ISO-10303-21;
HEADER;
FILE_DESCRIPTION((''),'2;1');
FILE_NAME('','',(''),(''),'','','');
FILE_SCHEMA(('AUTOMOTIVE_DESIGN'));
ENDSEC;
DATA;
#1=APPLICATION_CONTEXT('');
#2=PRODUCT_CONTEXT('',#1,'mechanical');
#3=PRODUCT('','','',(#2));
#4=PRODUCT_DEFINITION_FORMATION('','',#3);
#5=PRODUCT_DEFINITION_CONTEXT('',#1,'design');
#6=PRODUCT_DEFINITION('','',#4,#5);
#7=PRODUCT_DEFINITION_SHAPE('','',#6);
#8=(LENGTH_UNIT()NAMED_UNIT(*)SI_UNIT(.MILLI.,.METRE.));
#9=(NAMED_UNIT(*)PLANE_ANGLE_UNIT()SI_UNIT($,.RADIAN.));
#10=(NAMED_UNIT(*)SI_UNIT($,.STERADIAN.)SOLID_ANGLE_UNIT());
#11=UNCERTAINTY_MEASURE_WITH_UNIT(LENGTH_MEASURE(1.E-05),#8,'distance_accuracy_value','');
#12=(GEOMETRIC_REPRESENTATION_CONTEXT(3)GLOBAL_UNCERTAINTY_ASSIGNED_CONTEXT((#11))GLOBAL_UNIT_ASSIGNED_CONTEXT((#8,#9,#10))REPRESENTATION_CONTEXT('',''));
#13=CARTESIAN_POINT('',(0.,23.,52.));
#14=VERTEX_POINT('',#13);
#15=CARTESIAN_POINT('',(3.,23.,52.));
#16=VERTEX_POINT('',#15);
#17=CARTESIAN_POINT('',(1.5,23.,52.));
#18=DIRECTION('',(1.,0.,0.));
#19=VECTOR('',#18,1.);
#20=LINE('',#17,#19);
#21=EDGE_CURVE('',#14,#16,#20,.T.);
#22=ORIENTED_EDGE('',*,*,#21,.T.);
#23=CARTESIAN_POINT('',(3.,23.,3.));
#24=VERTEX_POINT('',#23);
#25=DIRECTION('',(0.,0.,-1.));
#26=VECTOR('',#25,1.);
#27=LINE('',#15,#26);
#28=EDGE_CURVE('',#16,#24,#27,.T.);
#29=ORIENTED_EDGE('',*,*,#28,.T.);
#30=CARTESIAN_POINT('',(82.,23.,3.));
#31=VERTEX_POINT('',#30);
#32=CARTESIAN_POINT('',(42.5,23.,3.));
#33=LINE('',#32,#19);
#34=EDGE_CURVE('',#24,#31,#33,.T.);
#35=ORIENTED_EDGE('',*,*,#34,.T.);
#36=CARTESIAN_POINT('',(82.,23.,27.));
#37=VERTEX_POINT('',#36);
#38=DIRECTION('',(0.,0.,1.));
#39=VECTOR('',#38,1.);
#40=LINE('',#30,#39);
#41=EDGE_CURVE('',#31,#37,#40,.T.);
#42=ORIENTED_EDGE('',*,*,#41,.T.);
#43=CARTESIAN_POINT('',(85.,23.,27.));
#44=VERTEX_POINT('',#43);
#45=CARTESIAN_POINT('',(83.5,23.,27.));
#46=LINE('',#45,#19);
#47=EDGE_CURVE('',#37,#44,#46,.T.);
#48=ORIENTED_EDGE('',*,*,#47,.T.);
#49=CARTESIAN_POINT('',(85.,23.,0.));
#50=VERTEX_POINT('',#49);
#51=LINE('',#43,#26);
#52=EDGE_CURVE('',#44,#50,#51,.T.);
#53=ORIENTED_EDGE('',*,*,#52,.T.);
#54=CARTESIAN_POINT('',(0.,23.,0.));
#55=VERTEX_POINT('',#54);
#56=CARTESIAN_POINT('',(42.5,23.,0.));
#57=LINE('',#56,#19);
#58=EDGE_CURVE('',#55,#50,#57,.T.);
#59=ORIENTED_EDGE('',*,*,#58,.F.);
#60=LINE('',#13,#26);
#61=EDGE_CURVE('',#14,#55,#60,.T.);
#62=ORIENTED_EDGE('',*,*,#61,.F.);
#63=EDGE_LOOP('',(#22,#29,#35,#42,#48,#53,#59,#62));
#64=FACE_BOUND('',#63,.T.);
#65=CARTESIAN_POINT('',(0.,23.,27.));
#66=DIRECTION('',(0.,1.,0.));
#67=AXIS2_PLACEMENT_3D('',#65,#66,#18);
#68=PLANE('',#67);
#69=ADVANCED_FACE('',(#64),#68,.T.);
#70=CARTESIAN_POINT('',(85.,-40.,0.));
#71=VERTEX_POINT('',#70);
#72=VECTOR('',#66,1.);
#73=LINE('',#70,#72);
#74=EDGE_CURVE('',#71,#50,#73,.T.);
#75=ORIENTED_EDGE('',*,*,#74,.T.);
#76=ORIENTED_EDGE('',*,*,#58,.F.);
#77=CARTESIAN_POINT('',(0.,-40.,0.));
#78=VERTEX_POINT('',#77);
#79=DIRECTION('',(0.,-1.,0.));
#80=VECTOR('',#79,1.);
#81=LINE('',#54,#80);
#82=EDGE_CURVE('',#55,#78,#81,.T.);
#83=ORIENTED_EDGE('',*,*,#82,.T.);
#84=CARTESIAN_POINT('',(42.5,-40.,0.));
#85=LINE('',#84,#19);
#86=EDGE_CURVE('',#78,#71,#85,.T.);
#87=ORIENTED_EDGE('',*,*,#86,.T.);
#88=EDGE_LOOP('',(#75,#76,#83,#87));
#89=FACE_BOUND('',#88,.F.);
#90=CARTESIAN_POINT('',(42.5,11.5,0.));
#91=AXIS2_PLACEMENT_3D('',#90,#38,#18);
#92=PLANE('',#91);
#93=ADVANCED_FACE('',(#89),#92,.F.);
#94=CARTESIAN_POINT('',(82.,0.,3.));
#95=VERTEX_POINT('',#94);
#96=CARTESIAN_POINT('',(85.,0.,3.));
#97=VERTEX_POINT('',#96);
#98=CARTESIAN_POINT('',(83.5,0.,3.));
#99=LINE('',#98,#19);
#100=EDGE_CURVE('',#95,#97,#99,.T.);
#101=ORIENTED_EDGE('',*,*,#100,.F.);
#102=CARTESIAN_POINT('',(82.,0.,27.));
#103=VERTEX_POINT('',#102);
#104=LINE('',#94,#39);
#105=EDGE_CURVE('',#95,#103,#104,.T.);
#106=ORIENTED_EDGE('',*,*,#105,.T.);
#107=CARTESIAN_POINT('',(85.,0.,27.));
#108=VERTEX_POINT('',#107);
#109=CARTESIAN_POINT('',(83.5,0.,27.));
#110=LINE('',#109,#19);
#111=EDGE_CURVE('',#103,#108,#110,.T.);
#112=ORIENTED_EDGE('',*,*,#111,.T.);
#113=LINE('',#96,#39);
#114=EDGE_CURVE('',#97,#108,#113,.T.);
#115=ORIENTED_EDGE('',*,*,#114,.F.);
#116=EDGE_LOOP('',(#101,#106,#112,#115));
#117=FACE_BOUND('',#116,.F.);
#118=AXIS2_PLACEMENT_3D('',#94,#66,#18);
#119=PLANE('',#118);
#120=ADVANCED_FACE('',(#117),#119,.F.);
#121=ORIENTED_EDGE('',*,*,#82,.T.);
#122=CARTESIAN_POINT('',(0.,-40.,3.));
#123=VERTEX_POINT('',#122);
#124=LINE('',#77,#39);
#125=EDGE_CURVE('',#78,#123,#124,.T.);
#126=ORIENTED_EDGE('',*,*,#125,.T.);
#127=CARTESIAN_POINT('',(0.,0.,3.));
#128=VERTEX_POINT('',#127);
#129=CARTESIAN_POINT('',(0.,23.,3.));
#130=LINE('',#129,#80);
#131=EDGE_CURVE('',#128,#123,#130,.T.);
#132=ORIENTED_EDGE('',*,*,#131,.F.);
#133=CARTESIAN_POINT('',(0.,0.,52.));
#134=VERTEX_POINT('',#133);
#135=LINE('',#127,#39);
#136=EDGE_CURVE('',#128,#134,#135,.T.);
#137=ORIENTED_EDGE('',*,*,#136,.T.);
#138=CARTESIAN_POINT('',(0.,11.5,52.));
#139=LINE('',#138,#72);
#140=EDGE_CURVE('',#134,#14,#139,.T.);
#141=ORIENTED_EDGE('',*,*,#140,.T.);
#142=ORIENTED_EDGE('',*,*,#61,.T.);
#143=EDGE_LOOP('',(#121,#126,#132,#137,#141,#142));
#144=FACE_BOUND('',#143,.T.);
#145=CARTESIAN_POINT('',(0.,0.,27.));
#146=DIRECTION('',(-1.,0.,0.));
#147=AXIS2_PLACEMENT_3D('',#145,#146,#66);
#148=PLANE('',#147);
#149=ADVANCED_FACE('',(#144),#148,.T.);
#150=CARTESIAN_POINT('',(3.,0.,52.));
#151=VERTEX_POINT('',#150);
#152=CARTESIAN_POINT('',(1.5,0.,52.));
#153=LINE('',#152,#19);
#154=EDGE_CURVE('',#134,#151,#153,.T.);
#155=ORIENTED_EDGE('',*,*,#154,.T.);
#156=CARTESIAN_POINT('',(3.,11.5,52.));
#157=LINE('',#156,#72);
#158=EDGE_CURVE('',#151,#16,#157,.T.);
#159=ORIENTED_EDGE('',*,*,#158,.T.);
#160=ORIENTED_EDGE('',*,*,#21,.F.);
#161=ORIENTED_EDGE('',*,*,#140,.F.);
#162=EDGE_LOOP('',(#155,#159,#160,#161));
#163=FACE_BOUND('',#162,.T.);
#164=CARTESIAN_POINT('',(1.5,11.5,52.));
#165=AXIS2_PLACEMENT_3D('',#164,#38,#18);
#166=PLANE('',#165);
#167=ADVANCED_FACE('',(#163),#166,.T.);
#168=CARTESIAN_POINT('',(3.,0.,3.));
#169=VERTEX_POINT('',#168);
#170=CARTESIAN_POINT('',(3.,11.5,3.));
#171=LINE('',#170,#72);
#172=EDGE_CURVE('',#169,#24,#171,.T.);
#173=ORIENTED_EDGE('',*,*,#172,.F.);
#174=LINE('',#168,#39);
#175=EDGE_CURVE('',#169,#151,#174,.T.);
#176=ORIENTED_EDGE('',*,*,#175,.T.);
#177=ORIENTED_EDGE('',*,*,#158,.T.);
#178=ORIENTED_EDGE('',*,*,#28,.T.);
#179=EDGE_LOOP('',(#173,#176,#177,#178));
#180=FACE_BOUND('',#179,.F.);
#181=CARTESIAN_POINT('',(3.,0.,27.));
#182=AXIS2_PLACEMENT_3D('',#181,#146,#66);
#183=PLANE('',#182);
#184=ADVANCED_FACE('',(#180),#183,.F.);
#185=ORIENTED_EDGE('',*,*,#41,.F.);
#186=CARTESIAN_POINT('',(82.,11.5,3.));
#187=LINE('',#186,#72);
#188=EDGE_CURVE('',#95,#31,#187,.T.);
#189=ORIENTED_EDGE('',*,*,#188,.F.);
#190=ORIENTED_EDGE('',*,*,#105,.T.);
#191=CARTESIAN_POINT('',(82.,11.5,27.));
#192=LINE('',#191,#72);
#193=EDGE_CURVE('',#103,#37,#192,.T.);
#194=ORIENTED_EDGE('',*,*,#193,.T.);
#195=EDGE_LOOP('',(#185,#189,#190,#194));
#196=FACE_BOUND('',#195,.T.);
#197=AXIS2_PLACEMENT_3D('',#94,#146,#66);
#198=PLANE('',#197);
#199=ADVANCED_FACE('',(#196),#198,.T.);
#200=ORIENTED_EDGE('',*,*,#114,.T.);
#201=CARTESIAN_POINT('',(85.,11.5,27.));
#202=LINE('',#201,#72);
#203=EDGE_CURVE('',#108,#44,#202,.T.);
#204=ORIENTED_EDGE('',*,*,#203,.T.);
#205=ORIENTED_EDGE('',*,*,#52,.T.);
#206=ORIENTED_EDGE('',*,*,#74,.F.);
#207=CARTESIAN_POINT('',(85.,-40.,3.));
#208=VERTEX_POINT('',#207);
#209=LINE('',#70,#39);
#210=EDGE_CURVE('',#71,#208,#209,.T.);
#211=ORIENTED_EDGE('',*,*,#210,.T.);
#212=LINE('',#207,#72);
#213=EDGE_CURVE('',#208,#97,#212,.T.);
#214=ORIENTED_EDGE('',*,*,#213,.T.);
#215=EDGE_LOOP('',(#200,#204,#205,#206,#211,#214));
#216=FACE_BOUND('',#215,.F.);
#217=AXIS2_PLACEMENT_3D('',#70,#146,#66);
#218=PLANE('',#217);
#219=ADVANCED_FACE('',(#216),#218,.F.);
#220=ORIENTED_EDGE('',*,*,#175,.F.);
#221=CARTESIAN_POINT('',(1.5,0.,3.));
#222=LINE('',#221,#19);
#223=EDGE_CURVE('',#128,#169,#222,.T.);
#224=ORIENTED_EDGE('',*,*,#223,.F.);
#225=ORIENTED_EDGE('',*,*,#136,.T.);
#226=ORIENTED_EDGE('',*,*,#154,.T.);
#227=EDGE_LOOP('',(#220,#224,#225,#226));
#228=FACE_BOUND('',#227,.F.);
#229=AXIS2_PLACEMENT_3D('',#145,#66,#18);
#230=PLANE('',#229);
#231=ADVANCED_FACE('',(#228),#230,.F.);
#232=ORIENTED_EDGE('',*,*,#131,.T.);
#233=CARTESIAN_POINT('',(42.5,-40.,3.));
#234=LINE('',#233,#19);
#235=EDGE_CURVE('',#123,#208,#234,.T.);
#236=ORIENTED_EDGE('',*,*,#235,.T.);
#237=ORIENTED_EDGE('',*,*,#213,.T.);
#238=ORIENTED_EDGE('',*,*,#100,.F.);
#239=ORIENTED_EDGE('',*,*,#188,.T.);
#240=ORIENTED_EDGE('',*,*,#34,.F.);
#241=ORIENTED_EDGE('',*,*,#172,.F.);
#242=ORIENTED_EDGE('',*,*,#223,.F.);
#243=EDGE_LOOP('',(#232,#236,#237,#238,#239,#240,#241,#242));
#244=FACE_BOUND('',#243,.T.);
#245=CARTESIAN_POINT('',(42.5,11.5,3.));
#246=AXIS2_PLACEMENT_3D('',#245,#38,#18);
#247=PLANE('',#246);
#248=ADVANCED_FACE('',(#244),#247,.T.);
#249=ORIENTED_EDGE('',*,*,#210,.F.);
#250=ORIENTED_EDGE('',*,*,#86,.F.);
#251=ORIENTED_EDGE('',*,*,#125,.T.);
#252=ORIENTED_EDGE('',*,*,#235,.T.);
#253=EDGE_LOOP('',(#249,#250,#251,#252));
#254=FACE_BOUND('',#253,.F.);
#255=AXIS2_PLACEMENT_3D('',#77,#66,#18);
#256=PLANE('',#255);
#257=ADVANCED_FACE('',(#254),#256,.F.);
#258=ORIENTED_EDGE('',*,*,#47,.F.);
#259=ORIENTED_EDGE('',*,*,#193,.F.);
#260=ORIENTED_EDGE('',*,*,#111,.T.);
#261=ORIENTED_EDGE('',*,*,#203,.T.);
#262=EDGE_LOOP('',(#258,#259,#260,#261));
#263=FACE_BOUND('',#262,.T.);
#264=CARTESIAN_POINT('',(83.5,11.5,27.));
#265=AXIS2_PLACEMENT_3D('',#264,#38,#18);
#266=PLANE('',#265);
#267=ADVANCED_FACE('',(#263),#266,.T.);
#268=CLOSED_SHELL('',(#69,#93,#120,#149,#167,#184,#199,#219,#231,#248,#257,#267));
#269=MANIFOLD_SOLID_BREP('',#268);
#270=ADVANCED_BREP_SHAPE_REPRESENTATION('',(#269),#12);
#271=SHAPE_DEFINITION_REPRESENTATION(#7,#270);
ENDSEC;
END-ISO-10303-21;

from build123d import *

# Parameters (mm, degrees)
F0_W     = 85
F0_H     = 23
F0_H_2   = 40
F1_DEPTH = 3
F2_W     = 3
F2_H     = 23
F3_DEPTH = 24
F4_W     = 3
F4_H     = 23
F5_DEPTH = 25


with BuildPart() as f1:
    # F0 (on Top) → F1 (new body)
    with BuildSketch(Plane.XY):
        with Locations((42.5, 11.5)):
            Rectangle(F0_W, F0_H)
        with Locations((42.5, -20)):
            Rectangle(F0_W, F0_H_2)
    extrude(amount=F1_DEPTH)

    # F2 (on face) → F3 (join)
    with BuildSketch(Plane.XY.offset(3)):
        with Locations((1.5, 11.5)):
            Rectangle(F2_W, F2_H)
        with Locations((83.5, 11.5)):
            Rectangle(F2_W, F2_H)
    extrude(amount=F3_DEPTH)

    # F4 (on face) → F5 (join)
    with BuildSketch(Plane.XY.offset(27)):
        with Locations((1.5, 11.5)):
            Rectangle(F4_W, F4_H)
    extrude(amount=F5_DEPTH)


solid = f1.part
